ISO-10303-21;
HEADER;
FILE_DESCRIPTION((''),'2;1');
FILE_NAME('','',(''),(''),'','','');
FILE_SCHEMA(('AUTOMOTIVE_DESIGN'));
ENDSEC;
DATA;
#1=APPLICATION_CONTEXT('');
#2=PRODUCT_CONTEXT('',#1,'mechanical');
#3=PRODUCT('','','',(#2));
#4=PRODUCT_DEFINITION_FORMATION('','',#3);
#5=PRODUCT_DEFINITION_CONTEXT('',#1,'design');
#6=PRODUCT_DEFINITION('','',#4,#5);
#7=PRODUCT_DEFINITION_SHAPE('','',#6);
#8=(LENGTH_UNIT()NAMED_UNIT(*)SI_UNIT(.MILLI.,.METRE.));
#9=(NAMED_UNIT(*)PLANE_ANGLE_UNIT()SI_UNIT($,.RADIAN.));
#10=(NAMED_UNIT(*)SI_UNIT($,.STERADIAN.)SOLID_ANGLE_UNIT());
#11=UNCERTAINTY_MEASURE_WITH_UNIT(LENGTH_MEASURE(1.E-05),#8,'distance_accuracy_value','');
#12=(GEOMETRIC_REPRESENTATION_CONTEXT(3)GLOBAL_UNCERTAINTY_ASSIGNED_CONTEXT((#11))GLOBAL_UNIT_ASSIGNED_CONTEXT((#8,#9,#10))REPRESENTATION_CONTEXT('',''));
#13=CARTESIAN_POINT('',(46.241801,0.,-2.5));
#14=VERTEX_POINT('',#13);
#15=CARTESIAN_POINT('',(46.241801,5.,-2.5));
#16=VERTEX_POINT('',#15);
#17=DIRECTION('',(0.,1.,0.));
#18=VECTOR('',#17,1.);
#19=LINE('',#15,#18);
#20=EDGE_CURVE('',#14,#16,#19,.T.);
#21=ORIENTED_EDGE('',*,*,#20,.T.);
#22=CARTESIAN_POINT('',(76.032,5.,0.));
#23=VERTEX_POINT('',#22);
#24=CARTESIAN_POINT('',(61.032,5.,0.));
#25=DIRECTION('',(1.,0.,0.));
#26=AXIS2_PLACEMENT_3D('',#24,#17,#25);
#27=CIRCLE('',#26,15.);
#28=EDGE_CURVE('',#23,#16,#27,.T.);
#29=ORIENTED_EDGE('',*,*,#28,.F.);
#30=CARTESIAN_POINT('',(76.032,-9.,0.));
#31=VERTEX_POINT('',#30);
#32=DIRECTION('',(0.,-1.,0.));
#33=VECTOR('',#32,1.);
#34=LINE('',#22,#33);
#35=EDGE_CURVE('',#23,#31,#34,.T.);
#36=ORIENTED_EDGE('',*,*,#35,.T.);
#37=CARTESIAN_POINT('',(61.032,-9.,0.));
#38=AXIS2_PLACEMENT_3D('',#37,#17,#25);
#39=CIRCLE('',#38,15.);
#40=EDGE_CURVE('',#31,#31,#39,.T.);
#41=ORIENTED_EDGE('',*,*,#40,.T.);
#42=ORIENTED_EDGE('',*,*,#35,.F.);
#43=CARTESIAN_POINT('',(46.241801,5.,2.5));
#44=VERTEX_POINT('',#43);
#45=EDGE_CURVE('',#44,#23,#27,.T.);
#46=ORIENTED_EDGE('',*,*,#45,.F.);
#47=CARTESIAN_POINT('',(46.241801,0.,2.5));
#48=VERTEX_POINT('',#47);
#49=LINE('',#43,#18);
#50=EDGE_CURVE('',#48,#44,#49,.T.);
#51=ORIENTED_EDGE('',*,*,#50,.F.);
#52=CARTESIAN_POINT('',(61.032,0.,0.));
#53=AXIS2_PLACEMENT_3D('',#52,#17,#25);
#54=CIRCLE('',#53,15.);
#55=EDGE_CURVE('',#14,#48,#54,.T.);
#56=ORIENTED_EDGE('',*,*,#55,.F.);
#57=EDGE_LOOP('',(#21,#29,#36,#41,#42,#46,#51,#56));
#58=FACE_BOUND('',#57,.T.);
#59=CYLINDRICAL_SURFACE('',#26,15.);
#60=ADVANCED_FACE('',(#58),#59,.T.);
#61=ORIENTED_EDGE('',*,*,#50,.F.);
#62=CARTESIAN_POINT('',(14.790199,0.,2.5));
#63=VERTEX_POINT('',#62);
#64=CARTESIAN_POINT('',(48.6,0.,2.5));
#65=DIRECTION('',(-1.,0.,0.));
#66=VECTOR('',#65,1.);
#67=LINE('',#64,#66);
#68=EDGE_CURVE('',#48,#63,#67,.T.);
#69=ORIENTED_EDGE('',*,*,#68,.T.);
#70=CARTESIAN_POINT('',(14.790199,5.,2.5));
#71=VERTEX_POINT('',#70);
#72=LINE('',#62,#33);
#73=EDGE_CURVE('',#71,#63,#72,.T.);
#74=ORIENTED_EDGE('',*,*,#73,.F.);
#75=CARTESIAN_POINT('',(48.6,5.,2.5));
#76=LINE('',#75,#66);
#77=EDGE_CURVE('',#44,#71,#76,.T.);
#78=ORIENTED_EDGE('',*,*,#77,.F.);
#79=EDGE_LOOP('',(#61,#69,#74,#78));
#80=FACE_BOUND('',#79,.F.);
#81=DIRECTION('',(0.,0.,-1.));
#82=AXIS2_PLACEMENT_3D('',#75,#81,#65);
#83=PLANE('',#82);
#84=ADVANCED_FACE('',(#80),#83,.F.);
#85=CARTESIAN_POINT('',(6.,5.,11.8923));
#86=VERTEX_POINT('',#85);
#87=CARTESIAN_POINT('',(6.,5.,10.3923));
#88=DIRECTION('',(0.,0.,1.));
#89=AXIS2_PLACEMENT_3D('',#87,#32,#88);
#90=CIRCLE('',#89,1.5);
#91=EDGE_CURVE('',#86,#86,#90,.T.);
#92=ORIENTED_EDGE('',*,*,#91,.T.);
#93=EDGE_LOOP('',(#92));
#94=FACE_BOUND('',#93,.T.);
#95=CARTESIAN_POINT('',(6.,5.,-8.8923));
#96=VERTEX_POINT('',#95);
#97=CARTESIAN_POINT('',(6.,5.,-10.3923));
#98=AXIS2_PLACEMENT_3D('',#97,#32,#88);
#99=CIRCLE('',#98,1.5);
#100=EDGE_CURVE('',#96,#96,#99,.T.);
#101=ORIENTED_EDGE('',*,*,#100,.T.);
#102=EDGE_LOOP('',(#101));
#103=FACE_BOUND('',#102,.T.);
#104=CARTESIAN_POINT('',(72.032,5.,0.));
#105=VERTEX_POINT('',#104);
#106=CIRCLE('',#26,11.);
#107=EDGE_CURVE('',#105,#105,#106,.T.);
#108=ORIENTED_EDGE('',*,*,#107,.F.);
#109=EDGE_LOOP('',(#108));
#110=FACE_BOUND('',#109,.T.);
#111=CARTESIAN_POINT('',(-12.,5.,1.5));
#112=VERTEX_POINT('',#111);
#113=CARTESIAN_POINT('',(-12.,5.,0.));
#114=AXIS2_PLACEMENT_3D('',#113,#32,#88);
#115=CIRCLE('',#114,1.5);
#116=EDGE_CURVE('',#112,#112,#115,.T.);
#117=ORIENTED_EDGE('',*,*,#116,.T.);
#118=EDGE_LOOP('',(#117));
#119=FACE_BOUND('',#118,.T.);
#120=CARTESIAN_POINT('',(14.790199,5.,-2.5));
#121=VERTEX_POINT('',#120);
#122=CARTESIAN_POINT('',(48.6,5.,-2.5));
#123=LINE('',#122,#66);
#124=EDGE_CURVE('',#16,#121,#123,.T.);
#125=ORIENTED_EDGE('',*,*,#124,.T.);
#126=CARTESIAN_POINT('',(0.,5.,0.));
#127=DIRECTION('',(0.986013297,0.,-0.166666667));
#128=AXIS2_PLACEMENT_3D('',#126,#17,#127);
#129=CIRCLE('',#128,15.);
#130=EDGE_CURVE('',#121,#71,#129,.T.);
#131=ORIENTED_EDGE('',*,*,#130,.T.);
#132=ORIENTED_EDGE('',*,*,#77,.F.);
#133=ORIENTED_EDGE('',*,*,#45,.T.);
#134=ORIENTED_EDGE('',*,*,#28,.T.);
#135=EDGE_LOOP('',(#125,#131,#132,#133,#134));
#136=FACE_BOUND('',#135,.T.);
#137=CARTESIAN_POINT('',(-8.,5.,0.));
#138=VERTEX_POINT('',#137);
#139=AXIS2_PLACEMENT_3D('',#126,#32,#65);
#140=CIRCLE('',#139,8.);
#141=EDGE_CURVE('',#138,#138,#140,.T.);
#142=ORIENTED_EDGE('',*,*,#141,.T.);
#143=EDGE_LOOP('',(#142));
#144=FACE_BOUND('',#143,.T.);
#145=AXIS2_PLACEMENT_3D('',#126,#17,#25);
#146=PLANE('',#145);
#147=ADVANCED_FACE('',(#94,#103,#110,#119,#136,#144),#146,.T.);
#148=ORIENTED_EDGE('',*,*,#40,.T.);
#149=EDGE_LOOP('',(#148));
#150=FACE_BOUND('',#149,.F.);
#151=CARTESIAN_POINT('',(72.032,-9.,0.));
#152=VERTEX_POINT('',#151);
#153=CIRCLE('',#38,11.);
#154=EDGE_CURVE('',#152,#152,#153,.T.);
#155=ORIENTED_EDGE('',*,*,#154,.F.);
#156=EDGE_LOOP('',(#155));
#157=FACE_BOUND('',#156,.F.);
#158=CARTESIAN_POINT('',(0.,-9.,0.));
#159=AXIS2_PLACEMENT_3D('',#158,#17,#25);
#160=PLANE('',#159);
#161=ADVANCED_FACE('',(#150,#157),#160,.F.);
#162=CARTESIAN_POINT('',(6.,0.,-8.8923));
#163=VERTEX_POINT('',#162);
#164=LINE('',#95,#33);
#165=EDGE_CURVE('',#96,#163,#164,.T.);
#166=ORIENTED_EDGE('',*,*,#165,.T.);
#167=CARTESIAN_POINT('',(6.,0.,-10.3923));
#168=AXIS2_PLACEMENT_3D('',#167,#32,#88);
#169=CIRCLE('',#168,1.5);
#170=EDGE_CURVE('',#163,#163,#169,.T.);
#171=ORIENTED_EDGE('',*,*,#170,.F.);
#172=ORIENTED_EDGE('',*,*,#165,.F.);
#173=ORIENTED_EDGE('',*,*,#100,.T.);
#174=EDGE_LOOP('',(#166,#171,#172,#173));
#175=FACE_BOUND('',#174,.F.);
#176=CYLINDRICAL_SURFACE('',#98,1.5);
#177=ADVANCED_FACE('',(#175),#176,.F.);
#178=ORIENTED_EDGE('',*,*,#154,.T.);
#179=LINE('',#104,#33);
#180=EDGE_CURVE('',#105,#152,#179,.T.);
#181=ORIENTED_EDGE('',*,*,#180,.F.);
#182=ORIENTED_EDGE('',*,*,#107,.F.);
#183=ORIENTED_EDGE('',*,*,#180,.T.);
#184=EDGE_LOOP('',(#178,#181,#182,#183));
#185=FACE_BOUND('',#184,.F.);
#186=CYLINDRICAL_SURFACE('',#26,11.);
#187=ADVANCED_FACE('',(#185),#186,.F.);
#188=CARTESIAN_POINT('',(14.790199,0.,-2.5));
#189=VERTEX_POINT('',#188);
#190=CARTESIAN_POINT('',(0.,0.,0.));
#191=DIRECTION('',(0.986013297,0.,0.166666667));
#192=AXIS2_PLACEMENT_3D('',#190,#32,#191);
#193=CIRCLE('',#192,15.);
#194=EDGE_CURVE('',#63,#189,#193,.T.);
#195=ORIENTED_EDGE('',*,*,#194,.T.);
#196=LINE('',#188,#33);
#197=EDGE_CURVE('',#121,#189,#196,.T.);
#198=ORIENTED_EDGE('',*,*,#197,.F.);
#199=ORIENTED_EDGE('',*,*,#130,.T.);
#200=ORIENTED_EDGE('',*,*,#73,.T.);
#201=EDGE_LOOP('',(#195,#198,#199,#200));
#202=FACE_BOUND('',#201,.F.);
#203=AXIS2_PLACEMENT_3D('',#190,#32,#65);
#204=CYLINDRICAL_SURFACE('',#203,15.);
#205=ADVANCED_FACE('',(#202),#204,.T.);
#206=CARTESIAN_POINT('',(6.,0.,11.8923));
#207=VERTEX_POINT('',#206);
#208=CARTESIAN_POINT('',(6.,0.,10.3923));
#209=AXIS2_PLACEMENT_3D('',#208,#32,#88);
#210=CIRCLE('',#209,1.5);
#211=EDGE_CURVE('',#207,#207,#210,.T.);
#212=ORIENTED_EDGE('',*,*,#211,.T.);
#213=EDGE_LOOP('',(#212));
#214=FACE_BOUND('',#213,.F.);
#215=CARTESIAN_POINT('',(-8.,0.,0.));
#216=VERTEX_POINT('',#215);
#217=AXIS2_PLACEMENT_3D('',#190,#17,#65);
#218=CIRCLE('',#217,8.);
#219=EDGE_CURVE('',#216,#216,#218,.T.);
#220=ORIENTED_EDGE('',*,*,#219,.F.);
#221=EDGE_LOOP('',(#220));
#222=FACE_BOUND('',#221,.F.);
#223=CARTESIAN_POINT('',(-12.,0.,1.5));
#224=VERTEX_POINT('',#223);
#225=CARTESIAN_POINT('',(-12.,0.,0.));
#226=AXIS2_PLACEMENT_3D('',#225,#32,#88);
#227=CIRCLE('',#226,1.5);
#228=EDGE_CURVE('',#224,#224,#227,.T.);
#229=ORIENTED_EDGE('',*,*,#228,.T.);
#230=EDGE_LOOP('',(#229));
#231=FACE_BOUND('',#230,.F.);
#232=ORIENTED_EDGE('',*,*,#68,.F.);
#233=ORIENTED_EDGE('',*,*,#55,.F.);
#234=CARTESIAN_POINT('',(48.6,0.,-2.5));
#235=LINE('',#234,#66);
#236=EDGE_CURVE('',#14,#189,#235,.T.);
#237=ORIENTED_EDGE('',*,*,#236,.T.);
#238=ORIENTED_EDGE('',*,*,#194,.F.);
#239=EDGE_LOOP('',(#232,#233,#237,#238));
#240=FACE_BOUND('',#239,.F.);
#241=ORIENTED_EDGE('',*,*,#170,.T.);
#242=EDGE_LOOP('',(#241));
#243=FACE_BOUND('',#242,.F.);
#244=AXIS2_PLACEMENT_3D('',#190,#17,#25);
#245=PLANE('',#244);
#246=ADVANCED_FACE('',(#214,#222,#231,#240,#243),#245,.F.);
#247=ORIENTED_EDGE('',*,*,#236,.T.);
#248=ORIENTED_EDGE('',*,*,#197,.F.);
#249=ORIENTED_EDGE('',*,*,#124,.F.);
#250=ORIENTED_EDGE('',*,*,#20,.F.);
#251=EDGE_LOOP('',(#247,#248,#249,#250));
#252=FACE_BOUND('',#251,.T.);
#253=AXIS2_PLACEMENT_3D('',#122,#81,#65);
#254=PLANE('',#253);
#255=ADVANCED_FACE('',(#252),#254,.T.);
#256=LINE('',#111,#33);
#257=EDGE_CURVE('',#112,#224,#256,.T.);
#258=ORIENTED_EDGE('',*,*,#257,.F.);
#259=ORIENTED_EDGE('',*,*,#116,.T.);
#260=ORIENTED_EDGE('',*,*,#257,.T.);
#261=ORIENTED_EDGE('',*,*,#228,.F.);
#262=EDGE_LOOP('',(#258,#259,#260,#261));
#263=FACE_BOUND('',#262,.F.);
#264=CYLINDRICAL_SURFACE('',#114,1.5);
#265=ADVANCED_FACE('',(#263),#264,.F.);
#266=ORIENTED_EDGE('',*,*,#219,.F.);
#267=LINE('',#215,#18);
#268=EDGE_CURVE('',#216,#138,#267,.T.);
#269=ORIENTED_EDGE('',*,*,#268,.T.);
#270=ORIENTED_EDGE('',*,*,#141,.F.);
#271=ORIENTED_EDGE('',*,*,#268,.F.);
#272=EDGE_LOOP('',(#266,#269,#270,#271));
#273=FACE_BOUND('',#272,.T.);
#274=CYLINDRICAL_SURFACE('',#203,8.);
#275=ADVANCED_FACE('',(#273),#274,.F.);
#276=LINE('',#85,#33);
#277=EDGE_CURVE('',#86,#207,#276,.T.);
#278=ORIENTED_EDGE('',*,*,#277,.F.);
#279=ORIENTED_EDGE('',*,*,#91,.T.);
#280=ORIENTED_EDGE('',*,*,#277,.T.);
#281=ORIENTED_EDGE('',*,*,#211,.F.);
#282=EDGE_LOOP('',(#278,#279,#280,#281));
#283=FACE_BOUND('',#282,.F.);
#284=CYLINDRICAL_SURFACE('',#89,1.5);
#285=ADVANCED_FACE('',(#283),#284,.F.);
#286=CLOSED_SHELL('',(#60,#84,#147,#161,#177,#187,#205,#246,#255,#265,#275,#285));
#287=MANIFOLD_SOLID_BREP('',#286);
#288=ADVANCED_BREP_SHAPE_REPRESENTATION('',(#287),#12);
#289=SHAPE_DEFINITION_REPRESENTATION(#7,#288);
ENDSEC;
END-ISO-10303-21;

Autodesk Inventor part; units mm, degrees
ref_plane "YZ Plane" through (0, 0, 0) normal (1, 0, 0) x (0, 1, 0)
ref_plane "XZ Plane" through (0, 0, 0) normal (0, 1, 0) x (-1, 0, 0)
ref_plane "XY Plane" through (0, 0, 0) normal (0, 0, 1) x (1, 0, 0)
sketch "Esquisse1" plane through (0, 0, 0) normal (0, 1, 0) x (-1, 0, 0)
  circle A0 centre (0, 0) radius 15
  circle A1 centre (0, 0) radius 8
  dimension "d0" = 30
  dimension "d1" = 16
extrude "Extrusion1" add sketch "Esquisse1" along normal blind 5
sketch "Esquisse2" plane through (0, 5, 0) normal (0, 1, 0) x (1, 0, 0)
  circle A0 centre (0, 0) radius 15 projected
  point P0 (-12, 0)
  point P1 (6, -10.3923)
  point P2 (6, 10.3923)
  dimension "d4" = 12
  dimension "d7" = 360
hole "Perçage1" at (-12, 5, 0) at (6, 5, 10.3923) at (6, 5, -10.3923) direction (0, -1, 0) diameter 3 depth 8 tip angle 118
sketch "Esquisse3" plane through (0, 5, 0) normal (0, 1, 0) x (1, 0, 0)
  circle A0 centre (61.032, 0) radius 11
  circle A1 centre (61.032, 0) radius 15
  point P0 (0, 0)
  dimension "d16" = 61.032
  dimension "d17" = 22
  dimension "d18" = 30
extrude "Extrusion2" add sketch "Esquisse3" against normal blind 14
sketch "Esquisse4" plane through (0, 5, 0) normal (0, 1, 0) x (1, 0, 0)
  circle A0 centre (0, 0) radius 8 projected
  line L0 (8, 0) -> (48.6, 0)
  line L1 (48.6, 0) -> (48.6, 2.5)
  line L2 (48.6, 2.5) -> (8, 2.5)
  line L3 (8, 2.5) -> (8, 0)
  line L4 (8, 0) -> (48.6, 0)
  line L5 (48.6, 0) -> (48.6, -2.5)
  line L6 (48.6, -2.5) -> (8, -2.5)
  line L7 (8, -2.5) -> (8, 0)
  dimension "d21" = 2.5
  dimension "d22" = 2.5
  dimension "d23" = 40.6
extrude "Extrusion3" add sketch "Esquisse4" against normal blind 5 contours L3 L2 L1 L0 | L0 L5 L6 L7
properties part number "BarreCodeuseV2"
